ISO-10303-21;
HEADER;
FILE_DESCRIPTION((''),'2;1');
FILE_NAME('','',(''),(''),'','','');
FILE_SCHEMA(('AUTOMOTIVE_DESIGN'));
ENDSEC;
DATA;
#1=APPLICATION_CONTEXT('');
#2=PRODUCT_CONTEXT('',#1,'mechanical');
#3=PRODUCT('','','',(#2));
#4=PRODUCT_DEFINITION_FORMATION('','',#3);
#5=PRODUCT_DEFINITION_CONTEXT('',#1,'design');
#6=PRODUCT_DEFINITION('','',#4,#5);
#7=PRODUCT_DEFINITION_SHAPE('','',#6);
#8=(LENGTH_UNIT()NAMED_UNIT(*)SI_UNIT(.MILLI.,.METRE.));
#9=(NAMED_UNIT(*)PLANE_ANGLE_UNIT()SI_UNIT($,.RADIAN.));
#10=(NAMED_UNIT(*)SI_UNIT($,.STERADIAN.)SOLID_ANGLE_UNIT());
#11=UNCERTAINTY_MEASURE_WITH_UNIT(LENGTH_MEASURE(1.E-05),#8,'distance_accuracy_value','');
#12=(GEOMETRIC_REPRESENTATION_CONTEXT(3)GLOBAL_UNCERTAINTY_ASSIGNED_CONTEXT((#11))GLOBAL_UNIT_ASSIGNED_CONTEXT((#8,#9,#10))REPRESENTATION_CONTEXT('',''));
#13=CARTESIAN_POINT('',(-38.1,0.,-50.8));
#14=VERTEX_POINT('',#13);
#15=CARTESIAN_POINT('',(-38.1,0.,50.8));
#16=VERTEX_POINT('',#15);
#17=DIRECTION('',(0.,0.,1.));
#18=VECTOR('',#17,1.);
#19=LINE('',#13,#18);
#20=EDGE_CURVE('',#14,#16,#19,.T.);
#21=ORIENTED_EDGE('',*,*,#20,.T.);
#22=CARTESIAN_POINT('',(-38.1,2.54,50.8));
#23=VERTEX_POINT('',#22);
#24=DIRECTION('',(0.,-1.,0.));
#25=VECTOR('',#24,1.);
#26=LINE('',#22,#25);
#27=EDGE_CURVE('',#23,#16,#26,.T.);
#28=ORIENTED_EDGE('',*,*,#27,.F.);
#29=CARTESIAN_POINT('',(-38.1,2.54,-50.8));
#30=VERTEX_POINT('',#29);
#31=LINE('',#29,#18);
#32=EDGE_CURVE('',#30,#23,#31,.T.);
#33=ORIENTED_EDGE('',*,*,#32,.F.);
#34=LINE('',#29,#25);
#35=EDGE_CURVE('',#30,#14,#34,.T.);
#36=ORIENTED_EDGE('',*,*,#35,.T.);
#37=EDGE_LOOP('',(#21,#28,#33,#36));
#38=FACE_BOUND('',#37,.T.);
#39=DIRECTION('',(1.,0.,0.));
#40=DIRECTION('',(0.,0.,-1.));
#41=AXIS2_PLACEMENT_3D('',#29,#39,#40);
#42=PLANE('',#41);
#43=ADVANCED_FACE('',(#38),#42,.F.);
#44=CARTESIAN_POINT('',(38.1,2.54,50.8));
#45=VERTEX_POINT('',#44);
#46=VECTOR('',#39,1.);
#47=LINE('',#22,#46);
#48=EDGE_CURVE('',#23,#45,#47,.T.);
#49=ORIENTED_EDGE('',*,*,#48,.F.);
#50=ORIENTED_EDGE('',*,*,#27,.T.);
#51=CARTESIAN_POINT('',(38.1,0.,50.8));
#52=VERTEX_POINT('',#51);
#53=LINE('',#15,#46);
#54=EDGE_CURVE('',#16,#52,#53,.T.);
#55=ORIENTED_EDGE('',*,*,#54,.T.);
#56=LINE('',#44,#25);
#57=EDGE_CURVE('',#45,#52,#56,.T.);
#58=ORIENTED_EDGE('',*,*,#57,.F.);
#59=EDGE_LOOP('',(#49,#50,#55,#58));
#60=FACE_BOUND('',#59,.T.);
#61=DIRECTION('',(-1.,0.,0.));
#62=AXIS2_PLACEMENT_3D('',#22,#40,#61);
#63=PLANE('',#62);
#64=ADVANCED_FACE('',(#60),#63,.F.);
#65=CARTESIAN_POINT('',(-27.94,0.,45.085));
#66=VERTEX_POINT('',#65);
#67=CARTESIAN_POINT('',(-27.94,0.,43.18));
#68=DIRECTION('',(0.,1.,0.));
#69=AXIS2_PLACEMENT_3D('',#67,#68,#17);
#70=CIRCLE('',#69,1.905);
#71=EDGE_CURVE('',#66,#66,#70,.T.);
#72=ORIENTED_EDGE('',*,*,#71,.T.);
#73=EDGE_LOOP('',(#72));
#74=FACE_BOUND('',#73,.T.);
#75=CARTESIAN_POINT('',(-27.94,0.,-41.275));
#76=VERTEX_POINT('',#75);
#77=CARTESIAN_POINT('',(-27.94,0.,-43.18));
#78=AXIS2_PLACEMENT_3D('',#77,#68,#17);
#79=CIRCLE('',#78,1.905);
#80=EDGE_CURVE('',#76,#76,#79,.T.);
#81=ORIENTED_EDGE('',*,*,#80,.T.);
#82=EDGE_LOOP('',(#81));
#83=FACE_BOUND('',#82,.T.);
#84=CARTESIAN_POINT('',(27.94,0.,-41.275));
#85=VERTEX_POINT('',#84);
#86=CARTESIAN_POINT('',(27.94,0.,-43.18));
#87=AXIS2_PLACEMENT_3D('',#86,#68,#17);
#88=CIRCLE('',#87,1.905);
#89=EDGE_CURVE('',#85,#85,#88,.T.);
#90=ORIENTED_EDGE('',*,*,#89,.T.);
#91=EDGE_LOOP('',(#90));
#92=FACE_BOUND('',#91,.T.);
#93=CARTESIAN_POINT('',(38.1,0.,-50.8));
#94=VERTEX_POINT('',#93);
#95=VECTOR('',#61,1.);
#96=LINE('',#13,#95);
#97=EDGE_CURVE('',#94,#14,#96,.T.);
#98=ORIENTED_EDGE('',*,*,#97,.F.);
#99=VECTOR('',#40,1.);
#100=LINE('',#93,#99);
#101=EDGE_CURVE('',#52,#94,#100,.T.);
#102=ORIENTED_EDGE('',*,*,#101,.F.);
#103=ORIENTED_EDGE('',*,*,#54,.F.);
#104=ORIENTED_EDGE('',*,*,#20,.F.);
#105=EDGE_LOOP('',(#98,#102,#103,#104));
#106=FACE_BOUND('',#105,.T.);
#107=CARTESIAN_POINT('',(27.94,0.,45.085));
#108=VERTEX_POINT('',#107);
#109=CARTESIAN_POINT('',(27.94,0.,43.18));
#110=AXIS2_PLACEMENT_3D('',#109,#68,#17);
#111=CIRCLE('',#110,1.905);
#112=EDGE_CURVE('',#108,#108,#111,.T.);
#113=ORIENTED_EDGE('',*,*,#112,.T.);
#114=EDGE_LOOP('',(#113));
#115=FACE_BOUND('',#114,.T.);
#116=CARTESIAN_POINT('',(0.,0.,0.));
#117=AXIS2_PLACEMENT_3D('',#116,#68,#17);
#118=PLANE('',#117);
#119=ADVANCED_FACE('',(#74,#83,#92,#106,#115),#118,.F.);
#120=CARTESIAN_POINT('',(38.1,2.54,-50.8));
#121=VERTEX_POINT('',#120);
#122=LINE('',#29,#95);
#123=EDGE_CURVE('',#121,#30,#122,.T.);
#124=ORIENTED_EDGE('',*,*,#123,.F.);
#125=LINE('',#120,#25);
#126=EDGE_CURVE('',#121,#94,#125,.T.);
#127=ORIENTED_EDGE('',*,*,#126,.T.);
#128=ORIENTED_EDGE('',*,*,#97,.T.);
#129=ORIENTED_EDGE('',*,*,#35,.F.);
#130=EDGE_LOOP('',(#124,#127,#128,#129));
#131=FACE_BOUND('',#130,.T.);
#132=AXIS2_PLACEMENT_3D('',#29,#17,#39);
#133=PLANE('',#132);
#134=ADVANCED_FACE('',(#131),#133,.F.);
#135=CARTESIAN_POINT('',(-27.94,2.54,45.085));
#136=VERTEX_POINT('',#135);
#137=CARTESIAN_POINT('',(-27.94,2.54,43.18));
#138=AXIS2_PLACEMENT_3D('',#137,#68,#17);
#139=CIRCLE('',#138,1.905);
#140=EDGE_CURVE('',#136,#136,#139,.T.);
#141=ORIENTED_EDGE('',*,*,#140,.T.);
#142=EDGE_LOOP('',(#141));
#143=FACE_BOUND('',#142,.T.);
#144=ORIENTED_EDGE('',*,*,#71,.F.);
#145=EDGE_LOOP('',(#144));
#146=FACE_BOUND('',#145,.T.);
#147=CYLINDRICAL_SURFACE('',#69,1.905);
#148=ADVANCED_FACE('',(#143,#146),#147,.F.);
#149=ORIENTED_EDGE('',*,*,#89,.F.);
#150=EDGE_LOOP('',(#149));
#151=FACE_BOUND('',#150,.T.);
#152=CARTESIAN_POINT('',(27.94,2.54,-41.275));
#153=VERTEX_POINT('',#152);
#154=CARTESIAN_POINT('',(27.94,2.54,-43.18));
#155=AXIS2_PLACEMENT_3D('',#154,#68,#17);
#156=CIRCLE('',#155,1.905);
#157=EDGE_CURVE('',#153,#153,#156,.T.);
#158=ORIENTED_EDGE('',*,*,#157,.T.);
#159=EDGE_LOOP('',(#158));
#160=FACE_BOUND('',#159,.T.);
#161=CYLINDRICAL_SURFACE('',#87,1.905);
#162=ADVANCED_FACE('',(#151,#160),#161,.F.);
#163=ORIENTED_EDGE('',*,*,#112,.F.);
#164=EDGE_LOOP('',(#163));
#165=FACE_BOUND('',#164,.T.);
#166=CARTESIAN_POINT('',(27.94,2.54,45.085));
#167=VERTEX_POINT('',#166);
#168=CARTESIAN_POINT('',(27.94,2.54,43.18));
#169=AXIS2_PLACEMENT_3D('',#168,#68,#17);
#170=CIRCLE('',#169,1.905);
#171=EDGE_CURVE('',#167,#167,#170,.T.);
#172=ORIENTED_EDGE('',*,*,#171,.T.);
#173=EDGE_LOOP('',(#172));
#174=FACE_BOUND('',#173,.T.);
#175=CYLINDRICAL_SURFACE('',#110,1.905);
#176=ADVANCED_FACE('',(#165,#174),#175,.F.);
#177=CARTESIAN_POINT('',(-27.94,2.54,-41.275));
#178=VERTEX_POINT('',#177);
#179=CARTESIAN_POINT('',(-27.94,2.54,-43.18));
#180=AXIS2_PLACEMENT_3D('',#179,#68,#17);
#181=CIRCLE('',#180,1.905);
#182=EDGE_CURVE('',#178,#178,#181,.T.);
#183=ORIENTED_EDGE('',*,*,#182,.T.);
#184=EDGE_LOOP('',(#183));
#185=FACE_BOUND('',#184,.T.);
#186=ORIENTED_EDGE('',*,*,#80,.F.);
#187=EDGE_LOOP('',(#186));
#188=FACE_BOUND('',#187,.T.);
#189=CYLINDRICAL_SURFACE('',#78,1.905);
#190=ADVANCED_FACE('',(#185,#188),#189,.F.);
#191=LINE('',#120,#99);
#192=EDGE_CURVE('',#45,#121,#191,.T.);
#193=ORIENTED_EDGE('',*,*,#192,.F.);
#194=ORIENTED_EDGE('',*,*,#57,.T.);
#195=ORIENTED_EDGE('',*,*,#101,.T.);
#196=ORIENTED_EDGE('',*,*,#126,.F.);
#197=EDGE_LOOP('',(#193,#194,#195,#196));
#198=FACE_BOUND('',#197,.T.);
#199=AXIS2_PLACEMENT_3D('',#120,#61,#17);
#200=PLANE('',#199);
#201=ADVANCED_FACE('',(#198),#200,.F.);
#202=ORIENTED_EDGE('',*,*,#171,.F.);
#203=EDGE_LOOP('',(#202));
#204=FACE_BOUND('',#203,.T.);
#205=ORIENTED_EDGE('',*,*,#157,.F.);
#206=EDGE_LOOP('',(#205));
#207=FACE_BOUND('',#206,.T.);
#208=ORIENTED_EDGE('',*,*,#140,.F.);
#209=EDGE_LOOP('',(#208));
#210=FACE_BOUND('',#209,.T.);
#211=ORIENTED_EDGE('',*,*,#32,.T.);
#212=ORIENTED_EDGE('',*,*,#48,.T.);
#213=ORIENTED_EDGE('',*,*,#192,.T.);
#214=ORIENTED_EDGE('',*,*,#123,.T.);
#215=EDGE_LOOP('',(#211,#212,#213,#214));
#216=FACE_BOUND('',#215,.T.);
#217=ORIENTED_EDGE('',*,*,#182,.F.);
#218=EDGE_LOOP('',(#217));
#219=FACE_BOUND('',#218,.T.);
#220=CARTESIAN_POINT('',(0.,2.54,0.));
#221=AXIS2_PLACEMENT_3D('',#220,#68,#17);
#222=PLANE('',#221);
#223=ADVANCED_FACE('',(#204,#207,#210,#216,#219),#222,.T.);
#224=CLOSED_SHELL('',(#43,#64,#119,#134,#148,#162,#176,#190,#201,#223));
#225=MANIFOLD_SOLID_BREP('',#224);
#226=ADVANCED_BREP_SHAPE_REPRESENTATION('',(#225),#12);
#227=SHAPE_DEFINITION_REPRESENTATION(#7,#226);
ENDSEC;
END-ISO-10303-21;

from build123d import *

# Parameters (mm, degrees)
SKETCH1_W           = 76.2
SKETCH1_H           = 101.6
BOSS_EXTRUDE1_DEPTH = 2.54
SKETCH2_R           = 1.905
CUT_EXTRUDE1_DEPTH  = 64.550779696


with BuildPart() as part:
    # Sketch1 → Boss-Extrude1 (new body)
    with BuildSketch(Plane(origin=(0, 0, 0), x_dir=(1, 0, 0), z_dir=(0, 1, 0))):
        Rectangle(SKETCH1_W, SKETCH1_H)
    extrude(amount=BOSS_EXTRUDE1_DEPTH)

    # Sketch2 → Cut-Extrude1 (cut, through all)
    with BuildSketch(Plane(origin=(0, 2.54, 0), x_dir=(1, 0, 0), z_dir=(0, 1, 0))):
        with Locations(Location((-27.94, 43.18, 0), (0, 0, 270))):
            Circle(SKETCH2_R)
        with Locations(Location((27.94, 43.18, 0), (0, 0, 270))):
            Circle(SKETCH2_R)
        with Locations(Location((-27.94, -43.18, 0), (0, 0, 270))):
            Circle(SKETCH2_R)
        with Locations(Location((27.94, -43.18, 0), (0, 0, 270))):
            Circle(SKETCH2_R)
    extrude(amount=-CUT_EXTRUDE1_DEPTH, mode=Mode.SUBTRACT)


solid = part.part
